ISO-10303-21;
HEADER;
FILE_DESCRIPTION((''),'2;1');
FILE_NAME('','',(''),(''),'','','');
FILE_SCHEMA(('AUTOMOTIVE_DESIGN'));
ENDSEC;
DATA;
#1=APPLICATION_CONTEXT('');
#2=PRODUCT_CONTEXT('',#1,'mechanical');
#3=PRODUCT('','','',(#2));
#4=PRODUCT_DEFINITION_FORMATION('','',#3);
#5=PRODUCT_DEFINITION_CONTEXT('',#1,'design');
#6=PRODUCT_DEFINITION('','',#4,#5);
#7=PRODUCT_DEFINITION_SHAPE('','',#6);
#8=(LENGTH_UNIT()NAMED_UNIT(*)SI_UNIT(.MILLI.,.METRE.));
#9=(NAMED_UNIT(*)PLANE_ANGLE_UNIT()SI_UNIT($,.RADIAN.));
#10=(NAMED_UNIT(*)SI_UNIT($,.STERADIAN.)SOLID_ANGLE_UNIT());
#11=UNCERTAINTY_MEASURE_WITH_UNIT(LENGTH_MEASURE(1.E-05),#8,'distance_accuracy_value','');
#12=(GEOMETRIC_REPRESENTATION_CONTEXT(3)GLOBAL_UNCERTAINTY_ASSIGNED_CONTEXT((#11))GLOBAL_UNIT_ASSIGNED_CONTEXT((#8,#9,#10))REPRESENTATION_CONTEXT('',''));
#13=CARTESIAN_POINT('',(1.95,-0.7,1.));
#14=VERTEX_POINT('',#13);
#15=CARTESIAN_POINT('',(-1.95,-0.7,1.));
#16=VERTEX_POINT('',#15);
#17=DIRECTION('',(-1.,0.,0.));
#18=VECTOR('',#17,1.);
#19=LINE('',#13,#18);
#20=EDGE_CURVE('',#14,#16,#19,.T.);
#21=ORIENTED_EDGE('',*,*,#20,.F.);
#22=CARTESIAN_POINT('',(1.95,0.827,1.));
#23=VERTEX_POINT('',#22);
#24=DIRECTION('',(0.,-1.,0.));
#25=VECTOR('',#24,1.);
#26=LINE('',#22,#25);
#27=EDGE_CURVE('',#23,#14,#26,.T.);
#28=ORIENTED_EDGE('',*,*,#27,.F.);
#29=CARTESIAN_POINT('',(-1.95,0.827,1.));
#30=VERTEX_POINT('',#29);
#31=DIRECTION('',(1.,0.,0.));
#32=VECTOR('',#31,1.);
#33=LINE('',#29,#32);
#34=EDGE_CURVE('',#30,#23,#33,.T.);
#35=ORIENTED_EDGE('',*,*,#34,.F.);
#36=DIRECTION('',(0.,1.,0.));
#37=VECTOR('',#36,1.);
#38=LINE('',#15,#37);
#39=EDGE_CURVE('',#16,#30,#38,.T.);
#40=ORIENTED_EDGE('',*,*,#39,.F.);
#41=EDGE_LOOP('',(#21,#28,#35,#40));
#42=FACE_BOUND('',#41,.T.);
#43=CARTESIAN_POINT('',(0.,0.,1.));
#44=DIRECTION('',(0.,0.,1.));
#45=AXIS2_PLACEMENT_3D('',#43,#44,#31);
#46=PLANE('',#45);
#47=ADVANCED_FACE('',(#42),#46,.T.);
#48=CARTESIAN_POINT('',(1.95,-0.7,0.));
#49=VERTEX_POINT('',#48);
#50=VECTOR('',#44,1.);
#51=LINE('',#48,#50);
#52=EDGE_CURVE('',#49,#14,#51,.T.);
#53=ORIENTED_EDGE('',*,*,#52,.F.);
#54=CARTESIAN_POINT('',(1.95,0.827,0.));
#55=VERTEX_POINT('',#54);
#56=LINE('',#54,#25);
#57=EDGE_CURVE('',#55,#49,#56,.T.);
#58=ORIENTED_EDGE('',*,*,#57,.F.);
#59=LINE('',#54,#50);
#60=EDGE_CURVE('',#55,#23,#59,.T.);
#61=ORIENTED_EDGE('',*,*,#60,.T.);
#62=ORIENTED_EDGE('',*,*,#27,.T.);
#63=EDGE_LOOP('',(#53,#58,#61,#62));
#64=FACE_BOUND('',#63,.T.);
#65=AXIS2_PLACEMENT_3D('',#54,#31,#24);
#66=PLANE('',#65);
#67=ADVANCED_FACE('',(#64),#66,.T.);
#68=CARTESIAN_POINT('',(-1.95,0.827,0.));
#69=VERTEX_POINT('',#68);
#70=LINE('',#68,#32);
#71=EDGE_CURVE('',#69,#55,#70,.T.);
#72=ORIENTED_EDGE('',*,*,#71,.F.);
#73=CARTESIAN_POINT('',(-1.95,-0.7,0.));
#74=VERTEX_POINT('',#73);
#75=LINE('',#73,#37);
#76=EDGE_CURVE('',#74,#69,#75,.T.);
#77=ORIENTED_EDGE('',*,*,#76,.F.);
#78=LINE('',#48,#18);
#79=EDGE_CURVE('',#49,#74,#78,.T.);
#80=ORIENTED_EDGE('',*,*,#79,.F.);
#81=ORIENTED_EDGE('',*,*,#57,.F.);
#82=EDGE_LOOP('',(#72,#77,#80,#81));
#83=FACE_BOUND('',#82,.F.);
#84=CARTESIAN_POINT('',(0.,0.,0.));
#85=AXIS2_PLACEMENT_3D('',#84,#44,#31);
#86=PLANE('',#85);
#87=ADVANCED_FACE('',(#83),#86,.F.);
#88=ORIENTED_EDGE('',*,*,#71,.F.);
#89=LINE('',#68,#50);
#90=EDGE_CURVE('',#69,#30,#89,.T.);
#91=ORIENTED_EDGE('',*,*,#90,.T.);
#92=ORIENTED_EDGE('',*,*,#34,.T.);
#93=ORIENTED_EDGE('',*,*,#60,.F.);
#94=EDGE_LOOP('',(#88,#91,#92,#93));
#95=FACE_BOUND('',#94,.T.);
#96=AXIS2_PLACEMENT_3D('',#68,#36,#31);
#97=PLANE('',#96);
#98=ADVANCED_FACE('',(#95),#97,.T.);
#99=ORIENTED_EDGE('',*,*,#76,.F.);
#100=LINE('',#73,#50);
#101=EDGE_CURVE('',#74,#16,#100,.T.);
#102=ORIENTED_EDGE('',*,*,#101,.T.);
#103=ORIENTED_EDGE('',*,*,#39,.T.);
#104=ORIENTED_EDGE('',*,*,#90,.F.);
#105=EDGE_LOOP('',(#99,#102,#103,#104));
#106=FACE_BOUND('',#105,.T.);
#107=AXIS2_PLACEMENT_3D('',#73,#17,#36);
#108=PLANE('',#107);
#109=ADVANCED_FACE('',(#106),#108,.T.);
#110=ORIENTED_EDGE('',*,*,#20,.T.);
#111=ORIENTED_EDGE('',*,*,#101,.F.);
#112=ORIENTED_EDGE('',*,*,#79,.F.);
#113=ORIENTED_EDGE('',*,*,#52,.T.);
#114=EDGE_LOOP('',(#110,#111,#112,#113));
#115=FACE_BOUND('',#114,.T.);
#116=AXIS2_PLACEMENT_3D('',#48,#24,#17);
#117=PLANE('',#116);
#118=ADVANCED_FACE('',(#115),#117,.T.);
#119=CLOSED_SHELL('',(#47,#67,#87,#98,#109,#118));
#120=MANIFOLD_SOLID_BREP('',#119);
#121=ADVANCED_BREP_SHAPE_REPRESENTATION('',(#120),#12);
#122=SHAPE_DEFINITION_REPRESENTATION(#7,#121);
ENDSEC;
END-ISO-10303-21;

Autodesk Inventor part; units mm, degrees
ref_plane "YZ Plane" through (0, 0, 0) normal (1, 0, 0) x (0, 1, 0)
ref_plane "XZ Plane" through (0, 0, 0) normal (0, 1, 0) x (-1, 0, 0)
ref_plane "XY Plane" through (0, 0, 0) normal (0, 0, 1) x (1, 0, 0)
sketch "SOD123, D4_SOD123_19" plane through (0, 0, 0) normal (0, 0, 1) x (1, 0, 0)
  line L0 (-1.95, 0.827) -> (1.95, 0.827)
  line L1 (1.95, 0.827) -> (1.95, -0.7)
  line L2 (1.95, -0.7) -> (-1.95, -0.7)
  line L3 (-1.95, -0.7) -> (-1.95, 0.827)
extrude "Extrusion1" add sketch "SOD123, D4_SOD123_19" along normal blind 1
properties part number "D4_SOD123"
